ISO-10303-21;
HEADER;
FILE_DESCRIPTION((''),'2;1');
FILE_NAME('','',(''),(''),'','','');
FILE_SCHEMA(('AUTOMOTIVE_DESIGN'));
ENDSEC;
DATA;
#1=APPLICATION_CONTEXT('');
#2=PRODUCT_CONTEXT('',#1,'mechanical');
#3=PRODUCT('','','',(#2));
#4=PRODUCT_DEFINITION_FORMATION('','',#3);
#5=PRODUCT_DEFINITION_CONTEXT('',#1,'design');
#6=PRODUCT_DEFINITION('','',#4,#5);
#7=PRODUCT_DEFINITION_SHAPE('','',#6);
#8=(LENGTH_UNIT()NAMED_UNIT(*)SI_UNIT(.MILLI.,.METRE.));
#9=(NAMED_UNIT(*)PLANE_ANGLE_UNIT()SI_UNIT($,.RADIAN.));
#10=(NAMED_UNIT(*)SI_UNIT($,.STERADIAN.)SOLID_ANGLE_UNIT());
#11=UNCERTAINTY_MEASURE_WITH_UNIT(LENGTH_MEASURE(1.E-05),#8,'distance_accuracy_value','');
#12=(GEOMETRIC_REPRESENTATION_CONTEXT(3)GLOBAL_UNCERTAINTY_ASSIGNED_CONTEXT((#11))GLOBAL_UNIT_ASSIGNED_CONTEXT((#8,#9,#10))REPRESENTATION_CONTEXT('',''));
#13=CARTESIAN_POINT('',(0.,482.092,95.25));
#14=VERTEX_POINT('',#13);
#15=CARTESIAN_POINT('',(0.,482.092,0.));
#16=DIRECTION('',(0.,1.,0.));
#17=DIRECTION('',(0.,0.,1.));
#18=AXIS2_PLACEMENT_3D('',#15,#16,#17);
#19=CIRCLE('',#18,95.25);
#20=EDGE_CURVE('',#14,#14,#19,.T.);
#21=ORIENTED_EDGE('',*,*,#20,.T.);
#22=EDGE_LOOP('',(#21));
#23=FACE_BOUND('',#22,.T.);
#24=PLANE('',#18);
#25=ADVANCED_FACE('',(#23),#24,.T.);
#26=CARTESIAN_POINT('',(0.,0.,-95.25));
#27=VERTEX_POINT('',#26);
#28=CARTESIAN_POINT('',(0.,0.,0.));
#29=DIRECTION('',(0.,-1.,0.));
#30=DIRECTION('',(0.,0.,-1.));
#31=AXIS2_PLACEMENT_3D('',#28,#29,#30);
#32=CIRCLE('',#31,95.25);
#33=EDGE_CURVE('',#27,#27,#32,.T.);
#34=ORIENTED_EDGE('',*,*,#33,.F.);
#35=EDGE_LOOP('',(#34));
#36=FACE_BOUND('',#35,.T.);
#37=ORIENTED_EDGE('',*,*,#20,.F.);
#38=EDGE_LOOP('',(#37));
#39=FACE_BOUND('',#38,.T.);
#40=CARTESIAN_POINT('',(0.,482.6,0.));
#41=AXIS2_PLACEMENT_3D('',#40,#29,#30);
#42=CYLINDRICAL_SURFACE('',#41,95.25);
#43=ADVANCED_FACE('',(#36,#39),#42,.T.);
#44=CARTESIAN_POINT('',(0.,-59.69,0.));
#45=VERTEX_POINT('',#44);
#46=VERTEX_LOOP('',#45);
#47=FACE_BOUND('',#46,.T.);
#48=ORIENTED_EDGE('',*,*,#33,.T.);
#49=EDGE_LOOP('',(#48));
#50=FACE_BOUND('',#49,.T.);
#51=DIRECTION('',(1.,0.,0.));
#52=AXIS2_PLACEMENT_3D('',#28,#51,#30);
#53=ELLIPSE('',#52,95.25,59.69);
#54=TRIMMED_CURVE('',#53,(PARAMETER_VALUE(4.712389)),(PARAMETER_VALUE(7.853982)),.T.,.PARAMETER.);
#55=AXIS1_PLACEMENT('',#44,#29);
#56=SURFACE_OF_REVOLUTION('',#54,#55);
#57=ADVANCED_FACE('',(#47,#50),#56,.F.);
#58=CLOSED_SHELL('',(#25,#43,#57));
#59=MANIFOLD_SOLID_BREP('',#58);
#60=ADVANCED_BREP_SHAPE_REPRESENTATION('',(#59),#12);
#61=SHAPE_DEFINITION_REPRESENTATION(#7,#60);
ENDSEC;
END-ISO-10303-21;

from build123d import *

# Parameters (mm, degrees)
SKETCH1_R                = 95.25
BOSS_EXTRUDE1_DEPTH      = 482.6
SKETCH4_R                = 95.25
F_7_PERCENT_ULLAGE_DEPTH = 62.484


with BuildPart() as part:
    # Sketch1 → Boss-Extrude1 (new body)
    with BuildSketch(Plane(origin=(0, 0, 0), x_dir=(1, 0, 0), z_dir=(0, 1, 0))):
        Circle(SKETCH1_R)
    extrude(amount=BOSS_EXTRUDE1_DEPTH)

    # Sketch2 → Revolve1 (revolve)
    with BuildSketch(Plane(origin=(0, 0, 0), x_dir=(0, 0, -1), z_dir=(1, 0, 0))):
        with BuildLine():
            Line((0, 544.576), (0, 482.6))
            Line((0, 482.6), (95.25, 482.6))
            add(Edge.make_bspline(
                [(95.25, 482.6), (95.25, 544.576), (0, 544.576)],
                knots=[0, 0, 0, 1.570796327, 1.570796327, 1.570796327], degree=2, weights=[1, 0.707106781, 1]))
        make_face()
    revolve(axis=Axis((0, 544.576, 0), (0, -1, 0)))

    # Sketch3 → Revolve2 (revolve)
    with BuildSketch(Plane(origin=(0, 0, 0), x_dir=(0, 0, -1), z_dir=(1, 0, 0))):
        with BuildLine():
            Line((0, -59.69), (0, 0))
            Line((0, 0), (95.25, 0))
            add(Edge.make_bspline(
                [(0, -59.69), (95.25, -59.69), (95.25, 0)],
                knots=[4.71238898, 4.71238898, 4.71238898, 6.283185307, 6.283185307, 6.283185307], degree=2, weights=[1, 0.707106781, 1]))
        make_face()
    revolve(axis=Axis((0, -59.69, 0), (0, 1, 0)))

    # Sketch4 → 7 Percent Ullage (cut)
    with BuildSketch(Plane(origin=(0, 544.576, 0), x_dir=(1, 0, 0), z_dir=(0, 1, 0))):
        Circle(SKETCH4_R)
    extrude(amount=-F_7_PERCENT_ULLAGE_DEPTH, mode=Mode.SUBTRACT)


solid = part.part
